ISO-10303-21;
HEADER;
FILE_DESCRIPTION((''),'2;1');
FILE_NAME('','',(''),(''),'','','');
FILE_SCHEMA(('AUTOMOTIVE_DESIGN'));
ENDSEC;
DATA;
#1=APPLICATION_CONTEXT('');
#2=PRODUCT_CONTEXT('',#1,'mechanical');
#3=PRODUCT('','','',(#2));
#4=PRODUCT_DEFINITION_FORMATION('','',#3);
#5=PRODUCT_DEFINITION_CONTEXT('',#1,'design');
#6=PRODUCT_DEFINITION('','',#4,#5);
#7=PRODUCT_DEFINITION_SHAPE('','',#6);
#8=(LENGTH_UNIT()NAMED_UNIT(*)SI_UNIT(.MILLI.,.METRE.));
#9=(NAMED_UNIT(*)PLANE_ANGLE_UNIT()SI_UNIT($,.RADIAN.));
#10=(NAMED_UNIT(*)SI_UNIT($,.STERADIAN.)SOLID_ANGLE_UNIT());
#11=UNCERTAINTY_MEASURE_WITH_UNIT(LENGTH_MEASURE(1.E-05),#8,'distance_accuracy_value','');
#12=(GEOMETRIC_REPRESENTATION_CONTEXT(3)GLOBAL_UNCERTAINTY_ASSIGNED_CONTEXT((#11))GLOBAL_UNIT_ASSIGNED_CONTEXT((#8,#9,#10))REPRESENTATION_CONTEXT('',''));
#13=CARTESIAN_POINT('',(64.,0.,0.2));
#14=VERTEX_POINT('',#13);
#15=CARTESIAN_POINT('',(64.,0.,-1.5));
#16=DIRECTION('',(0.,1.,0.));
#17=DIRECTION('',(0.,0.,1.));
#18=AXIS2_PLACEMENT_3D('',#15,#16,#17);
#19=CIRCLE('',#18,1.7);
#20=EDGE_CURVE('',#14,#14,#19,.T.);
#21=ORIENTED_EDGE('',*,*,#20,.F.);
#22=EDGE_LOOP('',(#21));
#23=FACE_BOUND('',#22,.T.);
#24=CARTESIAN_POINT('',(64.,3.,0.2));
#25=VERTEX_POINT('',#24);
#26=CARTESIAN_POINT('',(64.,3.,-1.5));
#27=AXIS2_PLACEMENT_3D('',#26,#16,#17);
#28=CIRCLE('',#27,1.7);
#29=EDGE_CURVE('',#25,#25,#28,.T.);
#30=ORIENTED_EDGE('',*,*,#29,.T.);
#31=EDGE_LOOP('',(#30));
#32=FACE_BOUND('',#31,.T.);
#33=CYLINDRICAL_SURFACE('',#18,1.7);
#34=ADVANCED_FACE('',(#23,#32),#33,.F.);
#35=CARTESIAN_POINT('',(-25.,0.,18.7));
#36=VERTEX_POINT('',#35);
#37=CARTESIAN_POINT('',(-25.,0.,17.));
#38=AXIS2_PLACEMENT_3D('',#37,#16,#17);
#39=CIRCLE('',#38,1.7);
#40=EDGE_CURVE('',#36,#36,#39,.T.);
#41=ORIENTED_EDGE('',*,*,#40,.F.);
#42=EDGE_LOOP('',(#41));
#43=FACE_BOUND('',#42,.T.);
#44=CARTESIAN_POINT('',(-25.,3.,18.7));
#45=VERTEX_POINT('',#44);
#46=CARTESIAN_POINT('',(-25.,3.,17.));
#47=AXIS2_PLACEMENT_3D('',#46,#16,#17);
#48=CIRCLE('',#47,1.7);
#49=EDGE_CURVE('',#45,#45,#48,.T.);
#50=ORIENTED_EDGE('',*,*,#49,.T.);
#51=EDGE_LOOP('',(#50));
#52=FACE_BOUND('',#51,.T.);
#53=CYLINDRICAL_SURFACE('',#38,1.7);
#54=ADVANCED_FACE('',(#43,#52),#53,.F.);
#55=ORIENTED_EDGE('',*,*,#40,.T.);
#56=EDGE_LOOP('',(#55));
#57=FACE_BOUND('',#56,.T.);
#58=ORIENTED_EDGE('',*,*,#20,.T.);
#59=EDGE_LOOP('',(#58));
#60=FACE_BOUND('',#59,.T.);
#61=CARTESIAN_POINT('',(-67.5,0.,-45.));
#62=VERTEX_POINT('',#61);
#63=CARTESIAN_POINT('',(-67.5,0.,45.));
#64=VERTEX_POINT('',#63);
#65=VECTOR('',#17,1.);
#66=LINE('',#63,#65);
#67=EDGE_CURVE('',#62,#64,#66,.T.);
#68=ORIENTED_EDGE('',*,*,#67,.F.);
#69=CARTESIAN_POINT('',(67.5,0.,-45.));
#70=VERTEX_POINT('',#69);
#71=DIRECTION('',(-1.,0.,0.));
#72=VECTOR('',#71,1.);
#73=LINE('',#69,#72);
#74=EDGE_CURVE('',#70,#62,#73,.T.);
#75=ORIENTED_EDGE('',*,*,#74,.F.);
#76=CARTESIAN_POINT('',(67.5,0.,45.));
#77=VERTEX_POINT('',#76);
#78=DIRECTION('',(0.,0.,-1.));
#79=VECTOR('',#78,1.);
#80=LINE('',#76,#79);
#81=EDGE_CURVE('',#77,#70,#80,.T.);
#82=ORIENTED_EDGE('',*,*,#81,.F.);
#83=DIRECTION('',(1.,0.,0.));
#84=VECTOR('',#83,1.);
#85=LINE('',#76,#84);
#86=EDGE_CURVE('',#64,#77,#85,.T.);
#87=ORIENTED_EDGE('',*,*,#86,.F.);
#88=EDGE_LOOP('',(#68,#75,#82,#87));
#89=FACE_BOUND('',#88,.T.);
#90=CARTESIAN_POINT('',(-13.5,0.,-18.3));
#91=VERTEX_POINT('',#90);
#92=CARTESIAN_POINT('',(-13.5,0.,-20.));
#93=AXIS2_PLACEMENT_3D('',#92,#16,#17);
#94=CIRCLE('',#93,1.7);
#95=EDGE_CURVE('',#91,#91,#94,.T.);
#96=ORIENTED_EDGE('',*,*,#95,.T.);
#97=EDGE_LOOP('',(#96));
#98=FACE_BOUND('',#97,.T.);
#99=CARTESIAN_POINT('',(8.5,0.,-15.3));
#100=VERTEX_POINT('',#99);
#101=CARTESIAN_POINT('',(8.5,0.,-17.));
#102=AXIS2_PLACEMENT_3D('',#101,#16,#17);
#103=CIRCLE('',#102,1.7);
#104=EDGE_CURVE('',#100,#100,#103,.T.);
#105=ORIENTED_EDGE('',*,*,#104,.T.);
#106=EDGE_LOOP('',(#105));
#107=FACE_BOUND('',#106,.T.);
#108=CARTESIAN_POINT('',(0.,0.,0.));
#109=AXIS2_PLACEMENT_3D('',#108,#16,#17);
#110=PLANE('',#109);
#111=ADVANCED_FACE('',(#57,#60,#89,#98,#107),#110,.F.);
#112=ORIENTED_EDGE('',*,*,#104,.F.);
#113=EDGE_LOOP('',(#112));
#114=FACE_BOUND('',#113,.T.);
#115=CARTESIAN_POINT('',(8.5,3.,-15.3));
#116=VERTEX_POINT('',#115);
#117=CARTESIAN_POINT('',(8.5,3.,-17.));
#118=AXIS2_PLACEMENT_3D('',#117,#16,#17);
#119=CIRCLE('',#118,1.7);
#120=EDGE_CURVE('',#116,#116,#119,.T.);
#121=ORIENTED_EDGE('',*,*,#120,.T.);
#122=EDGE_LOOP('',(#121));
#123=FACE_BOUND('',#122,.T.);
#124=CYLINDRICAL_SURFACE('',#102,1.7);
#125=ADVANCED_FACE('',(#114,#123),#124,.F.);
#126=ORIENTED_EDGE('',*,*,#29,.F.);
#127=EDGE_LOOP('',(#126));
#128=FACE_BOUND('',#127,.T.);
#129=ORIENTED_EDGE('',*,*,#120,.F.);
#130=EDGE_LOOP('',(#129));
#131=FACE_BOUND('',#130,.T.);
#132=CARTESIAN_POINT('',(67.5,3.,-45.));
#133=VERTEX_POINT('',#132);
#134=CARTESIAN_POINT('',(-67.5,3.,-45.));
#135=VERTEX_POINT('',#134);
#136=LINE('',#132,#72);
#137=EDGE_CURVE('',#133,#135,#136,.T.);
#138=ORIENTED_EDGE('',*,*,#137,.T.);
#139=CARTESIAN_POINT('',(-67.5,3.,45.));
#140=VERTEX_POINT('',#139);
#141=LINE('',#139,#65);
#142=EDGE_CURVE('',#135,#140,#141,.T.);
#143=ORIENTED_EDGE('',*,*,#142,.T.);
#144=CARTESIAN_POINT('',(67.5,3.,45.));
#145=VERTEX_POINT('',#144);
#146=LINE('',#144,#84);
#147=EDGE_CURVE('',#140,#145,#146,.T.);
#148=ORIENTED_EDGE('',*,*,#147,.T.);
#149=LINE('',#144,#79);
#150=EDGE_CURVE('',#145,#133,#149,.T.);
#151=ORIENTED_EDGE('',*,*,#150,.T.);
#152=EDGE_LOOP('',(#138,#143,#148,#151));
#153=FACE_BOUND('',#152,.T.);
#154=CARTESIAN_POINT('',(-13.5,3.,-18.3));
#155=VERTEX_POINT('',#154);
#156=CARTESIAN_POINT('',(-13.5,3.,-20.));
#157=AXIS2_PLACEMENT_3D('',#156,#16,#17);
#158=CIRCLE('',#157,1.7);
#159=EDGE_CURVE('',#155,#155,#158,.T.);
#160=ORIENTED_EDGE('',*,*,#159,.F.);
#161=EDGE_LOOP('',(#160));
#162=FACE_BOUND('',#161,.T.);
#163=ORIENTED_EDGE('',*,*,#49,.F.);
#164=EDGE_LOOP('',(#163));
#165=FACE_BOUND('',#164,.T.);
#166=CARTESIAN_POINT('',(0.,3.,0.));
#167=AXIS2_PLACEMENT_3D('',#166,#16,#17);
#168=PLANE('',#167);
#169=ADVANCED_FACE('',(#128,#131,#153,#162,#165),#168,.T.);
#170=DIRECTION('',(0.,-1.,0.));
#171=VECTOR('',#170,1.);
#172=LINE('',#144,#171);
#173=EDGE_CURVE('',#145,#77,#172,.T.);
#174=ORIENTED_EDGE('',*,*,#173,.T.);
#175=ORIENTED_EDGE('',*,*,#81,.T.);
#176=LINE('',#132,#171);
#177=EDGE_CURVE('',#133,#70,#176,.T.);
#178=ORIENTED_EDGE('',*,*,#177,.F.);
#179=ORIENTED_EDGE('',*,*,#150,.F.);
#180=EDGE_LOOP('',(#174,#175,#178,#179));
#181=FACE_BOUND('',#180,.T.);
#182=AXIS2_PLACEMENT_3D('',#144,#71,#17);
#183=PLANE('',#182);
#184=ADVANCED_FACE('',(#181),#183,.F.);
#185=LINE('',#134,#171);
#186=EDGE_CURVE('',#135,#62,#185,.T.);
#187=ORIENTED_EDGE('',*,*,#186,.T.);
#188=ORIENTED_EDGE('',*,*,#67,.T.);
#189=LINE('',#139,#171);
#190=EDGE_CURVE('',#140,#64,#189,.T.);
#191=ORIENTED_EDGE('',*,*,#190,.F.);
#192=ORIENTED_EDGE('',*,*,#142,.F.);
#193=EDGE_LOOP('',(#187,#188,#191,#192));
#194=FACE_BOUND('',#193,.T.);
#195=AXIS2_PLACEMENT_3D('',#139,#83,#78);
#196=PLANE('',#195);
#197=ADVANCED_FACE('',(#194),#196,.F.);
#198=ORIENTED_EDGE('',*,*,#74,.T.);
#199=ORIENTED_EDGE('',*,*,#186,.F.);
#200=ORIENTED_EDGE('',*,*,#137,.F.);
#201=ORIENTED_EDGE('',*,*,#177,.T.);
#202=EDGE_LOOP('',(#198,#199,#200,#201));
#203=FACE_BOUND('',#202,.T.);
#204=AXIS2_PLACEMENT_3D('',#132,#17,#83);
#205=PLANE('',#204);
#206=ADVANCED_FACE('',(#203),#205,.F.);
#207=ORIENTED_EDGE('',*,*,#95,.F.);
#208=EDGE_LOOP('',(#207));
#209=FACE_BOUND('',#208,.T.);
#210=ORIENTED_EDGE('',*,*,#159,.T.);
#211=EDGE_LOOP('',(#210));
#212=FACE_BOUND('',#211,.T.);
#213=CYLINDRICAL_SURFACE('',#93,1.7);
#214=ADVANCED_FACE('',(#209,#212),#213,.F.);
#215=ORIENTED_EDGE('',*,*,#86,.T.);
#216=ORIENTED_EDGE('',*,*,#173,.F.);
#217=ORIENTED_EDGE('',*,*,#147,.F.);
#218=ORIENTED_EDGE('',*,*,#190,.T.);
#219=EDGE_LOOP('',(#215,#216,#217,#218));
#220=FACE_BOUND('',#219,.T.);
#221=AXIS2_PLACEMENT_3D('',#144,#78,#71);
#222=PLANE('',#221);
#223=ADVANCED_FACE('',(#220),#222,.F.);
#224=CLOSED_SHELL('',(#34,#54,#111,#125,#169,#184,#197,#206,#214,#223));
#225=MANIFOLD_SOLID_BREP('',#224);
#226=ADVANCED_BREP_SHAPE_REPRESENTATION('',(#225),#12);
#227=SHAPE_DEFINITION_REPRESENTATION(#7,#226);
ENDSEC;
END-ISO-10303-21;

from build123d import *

# Parameters (mm, degrees)
SKIZZE1_W                       = 135
SKIZZE1_H                       = 90
AUFSATZ_LINEAR_AUSTRAGEN1_DEPTH = 3
SKIZZE2_R                       = 1.7
SCHNITT_LINEAR_AUSTRAGEN2_DEPTH = 82.180354766


with BuildPart() as part:
    # Skizze1 → Aufsatz-Linear austragen1 (new body)
    with BuildSketch(Plane(origin=(0, 0, 0), x_dir=(1, 0, 0), z_dir=(0, 1, 0))):
        Rectangle(SKIZZE1_W, SKIZZE1_H)
    extrude(amount=AUFSATZ_LINEAR_AUSTRAGEN1_DEPTH)

    # Skizze2 → Schnitt-Linear austragen2 (cut, through all)
    with BuildSketch(Plane(origin=(0, 3, 0), x_dir=(1, 0, 0), z_dir=(0, 1, 0))):
        with Locations(Location((-13.5, 20, 0), (0, 0, 270))):
            Circle(SKIZZE2_R)
        with Locations(Location((8.5, 17, 0), (0, 0, 270))):
            Circle(SKIZZE2_R)
        with Locations(Location((-25, -17, 0), (0, 0, 270))):
            Circle(SKIZZE2_R)
        with Locations(Location((64, 1.5, 0), (0, 0, 270))):
            Circle(SKIZZE2_R)
    extrude(amount=-SCHNITT_LINEAR_AUSTRAGEN2_DEPTH, mode=Mode.SUBTRACT)


solid = part.part
